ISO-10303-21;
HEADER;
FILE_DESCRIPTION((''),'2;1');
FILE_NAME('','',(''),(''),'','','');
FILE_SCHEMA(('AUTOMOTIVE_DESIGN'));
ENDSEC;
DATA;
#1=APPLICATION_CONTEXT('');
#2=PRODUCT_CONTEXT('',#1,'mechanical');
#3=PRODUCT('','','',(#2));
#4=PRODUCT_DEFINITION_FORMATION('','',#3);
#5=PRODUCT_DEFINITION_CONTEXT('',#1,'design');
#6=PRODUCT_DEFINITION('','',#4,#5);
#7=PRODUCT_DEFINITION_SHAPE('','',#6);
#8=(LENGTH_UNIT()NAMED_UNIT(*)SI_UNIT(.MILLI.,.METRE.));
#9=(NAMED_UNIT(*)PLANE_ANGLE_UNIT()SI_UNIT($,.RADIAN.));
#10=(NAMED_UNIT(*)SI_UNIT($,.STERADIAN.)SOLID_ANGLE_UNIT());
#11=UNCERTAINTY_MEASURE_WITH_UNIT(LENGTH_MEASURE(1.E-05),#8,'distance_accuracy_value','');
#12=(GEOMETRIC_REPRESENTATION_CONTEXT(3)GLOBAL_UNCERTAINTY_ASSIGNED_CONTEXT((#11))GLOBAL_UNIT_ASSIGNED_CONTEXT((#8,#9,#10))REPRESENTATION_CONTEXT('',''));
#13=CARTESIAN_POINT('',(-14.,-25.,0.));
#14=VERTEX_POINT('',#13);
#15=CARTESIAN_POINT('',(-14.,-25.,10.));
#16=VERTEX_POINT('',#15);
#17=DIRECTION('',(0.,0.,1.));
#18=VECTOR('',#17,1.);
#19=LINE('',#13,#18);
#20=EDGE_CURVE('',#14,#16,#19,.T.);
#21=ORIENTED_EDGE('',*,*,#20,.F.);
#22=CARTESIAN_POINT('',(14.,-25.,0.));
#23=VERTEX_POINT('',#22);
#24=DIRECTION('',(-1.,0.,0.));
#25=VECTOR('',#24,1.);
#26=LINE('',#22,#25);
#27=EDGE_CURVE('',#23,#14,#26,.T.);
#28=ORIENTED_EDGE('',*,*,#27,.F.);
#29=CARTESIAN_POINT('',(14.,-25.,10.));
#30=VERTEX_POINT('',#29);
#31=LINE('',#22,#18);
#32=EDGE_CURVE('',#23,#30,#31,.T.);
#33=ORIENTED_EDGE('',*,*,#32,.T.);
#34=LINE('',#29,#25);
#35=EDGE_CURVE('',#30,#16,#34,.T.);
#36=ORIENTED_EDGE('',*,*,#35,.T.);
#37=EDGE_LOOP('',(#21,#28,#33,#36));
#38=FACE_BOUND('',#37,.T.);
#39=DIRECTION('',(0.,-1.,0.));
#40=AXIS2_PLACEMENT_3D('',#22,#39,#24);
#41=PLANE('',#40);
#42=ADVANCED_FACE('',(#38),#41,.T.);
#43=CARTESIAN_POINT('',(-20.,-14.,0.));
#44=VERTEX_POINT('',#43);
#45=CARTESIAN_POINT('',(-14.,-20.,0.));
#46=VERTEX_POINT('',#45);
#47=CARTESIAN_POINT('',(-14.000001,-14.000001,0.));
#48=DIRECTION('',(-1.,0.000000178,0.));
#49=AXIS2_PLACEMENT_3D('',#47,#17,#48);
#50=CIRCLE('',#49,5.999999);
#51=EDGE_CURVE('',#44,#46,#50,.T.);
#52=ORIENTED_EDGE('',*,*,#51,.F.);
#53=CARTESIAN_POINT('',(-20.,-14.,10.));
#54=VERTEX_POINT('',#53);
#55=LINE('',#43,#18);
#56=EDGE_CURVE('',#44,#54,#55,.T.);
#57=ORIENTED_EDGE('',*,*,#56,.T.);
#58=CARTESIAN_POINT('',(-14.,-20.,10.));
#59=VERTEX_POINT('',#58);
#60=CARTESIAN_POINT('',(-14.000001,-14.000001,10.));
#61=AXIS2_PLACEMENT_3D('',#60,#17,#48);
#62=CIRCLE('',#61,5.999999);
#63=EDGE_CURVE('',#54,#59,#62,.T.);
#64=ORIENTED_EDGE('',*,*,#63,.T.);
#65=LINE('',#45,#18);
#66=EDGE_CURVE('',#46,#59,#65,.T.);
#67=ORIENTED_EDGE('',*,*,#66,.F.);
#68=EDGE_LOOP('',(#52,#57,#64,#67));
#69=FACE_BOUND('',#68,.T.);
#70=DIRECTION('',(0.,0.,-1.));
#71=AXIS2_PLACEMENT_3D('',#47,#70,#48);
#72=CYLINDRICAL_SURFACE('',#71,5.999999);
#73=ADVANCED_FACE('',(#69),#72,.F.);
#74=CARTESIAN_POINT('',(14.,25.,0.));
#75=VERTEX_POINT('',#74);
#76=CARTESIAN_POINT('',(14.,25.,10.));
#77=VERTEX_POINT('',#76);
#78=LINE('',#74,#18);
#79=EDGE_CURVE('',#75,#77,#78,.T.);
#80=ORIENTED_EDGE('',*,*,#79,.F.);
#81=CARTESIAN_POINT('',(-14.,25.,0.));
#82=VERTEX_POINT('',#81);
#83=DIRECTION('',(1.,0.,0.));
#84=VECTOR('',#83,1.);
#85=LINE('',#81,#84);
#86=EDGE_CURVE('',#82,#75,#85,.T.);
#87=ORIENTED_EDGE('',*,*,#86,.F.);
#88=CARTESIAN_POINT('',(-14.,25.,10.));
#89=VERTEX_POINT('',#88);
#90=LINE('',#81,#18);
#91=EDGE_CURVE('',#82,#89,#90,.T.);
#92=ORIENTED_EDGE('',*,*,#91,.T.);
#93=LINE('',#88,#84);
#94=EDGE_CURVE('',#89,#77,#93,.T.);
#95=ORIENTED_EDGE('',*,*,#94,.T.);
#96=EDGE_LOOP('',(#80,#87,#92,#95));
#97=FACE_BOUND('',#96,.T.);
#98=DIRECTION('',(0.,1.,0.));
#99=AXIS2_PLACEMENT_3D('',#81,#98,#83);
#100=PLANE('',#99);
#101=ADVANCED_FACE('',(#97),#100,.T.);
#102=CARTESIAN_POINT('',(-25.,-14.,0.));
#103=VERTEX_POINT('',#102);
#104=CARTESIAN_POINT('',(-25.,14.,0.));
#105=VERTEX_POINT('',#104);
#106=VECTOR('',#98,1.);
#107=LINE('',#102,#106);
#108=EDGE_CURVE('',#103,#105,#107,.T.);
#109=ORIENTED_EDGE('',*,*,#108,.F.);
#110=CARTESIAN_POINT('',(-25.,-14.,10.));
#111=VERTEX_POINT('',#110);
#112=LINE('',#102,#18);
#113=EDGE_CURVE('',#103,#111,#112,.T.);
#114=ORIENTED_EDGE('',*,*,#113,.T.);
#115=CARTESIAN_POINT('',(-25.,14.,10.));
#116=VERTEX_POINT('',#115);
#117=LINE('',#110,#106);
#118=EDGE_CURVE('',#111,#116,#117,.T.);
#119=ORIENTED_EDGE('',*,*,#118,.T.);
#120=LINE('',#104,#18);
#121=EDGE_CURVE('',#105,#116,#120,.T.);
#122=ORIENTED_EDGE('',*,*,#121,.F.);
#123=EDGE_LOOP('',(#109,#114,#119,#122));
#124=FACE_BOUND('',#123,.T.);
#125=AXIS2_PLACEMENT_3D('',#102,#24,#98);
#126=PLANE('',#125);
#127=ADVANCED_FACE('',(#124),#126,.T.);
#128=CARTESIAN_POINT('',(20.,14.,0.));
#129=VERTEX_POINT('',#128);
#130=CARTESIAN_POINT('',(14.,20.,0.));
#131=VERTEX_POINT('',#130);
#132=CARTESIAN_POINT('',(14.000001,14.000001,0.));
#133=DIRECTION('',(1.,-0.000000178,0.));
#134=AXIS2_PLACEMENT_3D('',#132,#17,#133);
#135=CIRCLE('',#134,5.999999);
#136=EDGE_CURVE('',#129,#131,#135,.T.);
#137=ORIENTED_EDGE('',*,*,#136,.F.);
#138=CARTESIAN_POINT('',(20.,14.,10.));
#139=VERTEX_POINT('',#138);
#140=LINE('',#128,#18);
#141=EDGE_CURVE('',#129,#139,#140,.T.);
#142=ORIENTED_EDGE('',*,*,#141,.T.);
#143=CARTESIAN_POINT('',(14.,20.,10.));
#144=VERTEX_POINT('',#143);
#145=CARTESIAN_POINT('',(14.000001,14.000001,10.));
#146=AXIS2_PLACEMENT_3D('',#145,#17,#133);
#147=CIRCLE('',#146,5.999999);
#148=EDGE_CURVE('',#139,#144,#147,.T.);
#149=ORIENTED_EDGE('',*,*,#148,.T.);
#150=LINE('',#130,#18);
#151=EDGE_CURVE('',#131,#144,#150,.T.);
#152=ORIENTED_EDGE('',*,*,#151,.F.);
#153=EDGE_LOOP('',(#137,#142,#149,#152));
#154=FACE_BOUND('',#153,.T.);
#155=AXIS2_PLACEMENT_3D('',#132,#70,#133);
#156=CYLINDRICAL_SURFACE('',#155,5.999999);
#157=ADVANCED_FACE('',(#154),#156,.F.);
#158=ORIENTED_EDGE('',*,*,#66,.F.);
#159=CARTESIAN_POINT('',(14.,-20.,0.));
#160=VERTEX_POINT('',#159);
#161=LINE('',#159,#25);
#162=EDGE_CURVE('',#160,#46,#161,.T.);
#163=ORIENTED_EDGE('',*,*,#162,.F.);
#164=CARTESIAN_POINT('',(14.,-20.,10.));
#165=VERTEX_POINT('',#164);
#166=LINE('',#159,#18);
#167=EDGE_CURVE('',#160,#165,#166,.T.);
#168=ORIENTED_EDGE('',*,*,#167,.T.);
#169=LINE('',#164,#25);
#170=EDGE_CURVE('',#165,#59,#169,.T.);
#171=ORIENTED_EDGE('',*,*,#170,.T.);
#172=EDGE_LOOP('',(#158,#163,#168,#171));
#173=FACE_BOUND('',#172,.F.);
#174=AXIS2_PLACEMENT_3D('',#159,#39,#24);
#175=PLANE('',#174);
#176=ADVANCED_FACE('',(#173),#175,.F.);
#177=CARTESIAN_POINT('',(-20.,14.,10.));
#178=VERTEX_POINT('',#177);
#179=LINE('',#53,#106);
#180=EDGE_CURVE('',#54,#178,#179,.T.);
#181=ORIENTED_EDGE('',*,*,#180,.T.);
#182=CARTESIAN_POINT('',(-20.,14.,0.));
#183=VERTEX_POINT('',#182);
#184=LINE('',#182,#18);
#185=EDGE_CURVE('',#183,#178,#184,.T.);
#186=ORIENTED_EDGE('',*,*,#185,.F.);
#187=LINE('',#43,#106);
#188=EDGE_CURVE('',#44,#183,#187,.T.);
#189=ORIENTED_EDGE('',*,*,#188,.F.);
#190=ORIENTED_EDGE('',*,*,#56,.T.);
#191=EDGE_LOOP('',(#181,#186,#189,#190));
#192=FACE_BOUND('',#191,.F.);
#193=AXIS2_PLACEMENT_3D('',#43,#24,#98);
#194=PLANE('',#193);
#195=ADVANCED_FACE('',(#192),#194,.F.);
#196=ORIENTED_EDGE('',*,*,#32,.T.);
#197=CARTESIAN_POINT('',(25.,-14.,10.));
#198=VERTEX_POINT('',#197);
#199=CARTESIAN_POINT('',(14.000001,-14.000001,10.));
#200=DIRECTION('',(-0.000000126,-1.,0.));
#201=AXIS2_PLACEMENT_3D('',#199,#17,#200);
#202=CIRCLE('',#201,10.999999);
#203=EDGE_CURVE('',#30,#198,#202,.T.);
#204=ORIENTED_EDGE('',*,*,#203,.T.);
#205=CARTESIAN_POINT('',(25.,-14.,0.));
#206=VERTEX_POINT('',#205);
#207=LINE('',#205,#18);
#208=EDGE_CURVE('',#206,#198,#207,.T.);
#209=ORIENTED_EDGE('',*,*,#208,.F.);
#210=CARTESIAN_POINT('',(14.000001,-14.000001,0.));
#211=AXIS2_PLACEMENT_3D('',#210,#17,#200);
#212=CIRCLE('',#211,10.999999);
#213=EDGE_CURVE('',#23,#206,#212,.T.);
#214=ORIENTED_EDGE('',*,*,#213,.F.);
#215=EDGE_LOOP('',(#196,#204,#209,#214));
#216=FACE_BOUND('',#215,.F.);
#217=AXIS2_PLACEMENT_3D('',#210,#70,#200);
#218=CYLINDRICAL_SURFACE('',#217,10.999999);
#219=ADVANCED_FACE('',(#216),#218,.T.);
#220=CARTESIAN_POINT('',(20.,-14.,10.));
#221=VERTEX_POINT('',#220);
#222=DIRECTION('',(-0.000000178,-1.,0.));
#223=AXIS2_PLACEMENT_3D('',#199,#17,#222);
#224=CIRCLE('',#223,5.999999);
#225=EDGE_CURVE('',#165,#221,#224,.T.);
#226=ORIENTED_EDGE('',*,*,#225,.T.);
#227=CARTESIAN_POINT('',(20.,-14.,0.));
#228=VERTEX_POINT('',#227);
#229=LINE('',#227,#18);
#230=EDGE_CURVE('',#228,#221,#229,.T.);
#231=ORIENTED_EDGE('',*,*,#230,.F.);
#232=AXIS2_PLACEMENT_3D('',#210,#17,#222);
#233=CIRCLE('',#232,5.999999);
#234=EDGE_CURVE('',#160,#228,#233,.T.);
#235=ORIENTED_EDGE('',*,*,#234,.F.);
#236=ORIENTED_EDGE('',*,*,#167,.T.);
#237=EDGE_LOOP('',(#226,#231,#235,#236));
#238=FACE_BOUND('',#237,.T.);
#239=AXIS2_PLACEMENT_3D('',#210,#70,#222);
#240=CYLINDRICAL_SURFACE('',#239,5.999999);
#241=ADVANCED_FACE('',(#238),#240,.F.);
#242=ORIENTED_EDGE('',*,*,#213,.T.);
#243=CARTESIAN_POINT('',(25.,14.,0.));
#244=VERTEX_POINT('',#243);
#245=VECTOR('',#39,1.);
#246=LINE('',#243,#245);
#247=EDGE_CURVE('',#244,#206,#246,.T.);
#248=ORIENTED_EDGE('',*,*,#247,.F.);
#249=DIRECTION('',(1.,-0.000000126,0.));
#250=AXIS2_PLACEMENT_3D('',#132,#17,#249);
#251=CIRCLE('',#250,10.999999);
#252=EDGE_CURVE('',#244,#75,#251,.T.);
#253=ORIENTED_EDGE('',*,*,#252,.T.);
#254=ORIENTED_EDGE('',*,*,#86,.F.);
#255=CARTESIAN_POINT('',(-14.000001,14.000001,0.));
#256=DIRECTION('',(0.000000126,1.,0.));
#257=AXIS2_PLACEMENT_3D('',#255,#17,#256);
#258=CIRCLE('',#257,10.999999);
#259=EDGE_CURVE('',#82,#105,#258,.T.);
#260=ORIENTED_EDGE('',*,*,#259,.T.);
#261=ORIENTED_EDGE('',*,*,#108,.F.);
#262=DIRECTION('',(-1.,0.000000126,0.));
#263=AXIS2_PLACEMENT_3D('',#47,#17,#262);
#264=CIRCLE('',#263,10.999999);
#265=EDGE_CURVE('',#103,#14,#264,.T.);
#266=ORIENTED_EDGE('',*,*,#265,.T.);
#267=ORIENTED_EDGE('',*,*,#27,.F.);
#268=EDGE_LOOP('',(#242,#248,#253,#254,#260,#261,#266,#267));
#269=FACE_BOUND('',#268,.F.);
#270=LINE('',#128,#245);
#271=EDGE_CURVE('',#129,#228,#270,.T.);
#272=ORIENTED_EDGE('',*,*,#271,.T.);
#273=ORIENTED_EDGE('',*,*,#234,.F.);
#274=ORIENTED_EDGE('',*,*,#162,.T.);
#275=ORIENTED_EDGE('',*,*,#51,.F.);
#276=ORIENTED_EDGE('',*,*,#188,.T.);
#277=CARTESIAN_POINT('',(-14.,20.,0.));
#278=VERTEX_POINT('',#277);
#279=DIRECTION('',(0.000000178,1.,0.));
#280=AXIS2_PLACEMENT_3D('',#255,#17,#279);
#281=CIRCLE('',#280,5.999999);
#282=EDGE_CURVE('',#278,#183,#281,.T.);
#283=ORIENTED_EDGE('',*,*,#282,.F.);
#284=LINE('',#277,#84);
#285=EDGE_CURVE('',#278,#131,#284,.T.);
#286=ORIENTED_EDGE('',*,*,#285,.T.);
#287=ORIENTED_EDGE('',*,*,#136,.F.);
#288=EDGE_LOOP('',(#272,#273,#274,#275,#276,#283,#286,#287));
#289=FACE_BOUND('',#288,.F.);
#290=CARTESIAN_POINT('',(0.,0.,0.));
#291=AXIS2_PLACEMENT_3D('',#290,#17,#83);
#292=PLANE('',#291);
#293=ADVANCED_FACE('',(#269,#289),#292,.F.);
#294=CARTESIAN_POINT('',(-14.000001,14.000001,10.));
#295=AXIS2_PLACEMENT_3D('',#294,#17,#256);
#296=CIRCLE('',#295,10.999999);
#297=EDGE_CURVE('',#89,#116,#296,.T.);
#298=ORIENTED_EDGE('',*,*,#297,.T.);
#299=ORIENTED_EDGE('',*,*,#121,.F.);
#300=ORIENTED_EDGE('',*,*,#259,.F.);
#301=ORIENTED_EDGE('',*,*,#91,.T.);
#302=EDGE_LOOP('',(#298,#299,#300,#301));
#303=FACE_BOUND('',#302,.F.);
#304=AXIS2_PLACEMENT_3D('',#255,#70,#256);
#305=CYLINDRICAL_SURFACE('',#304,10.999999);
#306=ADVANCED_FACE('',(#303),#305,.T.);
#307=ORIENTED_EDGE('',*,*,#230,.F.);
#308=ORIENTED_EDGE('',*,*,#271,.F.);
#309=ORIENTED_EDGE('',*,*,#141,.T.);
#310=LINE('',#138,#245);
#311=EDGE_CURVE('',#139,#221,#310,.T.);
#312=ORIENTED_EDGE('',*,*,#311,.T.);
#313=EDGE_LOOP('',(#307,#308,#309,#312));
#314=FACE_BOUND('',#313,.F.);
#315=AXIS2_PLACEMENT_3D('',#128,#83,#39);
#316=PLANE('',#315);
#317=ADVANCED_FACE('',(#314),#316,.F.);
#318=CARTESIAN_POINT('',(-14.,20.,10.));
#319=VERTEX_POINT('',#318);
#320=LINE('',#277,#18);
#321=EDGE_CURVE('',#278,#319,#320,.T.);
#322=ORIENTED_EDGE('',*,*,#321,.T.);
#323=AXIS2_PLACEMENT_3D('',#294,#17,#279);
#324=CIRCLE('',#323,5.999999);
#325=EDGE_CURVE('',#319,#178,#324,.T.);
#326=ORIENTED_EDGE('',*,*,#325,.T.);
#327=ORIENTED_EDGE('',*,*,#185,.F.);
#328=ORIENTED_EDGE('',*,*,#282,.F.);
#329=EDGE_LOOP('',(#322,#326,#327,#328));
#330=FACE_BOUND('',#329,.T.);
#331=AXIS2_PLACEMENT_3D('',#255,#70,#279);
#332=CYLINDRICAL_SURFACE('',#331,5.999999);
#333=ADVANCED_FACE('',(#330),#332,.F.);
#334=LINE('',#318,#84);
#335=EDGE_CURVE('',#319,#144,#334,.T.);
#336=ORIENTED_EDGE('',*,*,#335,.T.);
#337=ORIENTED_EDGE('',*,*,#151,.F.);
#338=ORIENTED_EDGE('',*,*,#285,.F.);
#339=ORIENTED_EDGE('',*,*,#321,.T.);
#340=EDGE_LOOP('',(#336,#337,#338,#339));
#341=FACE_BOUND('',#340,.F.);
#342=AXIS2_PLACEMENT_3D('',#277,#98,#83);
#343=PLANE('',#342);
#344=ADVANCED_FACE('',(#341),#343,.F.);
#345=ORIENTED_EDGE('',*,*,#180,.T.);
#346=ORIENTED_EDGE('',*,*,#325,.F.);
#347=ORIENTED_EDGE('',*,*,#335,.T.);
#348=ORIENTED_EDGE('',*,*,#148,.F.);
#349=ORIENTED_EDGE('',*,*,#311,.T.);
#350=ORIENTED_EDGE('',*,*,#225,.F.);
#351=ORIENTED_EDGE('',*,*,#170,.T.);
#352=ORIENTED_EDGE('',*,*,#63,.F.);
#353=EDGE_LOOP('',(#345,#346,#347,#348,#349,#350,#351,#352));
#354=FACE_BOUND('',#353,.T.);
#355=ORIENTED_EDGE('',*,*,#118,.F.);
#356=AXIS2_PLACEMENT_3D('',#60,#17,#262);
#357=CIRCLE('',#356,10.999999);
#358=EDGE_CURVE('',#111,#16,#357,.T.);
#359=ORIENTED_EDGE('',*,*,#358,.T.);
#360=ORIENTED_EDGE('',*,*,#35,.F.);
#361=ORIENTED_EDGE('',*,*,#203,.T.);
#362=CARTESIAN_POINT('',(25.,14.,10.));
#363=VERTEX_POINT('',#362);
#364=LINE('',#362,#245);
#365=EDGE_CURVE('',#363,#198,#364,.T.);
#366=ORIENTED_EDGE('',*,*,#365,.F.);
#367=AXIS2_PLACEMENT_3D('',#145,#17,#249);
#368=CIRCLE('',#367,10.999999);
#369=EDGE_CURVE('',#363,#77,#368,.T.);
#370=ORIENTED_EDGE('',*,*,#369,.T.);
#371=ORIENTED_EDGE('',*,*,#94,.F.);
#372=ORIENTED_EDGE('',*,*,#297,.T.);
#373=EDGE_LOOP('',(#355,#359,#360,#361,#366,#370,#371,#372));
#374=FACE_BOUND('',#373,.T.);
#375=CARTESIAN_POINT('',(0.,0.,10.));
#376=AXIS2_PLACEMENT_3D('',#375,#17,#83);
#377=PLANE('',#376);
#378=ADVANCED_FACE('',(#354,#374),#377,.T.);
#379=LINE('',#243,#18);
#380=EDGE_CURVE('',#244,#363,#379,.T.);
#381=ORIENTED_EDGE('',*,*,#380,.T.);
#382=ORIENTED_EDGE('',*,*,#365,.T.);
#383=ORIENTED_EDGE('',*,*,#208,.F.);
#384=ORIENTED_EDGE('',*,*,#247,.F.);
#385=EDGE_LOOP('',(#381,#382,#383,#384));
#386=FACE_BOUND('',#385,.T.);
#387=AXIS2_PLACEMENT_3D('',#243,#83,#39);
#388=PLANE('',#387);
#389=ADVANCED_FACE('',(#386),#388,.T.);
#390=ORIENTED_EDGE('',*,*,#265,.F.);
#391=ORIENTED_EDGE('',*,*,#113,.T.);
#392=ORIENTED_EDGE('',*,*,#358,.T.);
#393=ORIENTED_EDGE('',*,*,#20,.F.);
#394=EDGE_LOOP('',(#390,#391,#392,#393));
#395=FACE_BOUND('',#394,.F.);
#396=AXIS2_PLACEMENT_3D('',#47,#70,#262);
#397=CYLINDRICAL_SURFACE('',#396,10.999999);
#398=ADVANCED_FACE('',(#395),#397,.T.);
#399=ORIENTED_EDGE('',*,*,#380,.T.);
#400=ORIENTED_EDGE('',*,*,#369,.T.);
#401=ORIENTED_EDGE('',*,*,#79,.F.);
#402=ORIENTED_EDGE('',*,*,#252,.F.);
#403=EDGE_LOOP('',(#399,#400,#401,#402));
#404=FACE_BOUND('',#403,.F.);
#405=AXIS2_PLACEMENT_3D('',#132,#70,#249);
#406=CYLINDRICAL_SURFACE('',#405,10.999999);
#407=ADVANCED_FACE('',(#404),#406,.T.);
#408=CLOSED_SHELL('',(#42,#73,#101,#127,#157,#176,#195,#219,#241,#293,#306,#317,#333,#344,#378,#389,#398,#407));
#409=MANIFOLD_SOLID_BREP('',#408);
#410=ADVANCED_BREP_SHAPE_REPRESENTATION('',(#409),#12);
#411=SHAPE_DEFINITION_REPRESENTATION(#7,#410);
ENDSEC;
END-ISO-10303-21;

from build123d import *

# Parameters (mm, degrees)
PAD_DEPTH = 10


with BuildPart() as part:
    # Sketch → Pad (new body)
    with BuildSketch(Plane.XY):
        with BuildLine():
            ThreePointArc((-14, 25), (-21.778175, 21.778175), (-25, 14))
            Line((-25, -14), (-25, 14))
            ThreePointArc((-25, -14), (-21.778175, -21.778175), (-14, -25))
            Line((14, -25), (-14, -25))
            ThreePointArc((14, -25), (21.778175, -21.778175), (25, -14))
            Line((25, 14), (25, -14))
            ThreePointArc((25, 14), (21.778175, 21.778175), (14, 25))
            Line((-14, 25), (14, 25))
        make_face()
        with BuildLine():
            ThreePointArc((-14, 20), (-18.242641, 18.242641), (-20, 14))
            Line((-20, -14), (-20, 14))
            ThreePointArc((-20, -14), (-18.242641, -18.242641), (-14, -20))
            Line((14, -20), (-14, -20))
            ThreePointArc((14, -20), (18.242641, -18.242641), (20, -14))
            Line((20, 14), (20, -14))
            ThreePointArc((20, 14), (18.242641, 18.242641), (14, 20))
            Line((-14, 20), (14, 20))
        make_face(mode=Mode.SUBTRACT)
    extrude(amount=PAD_DEPTH)


solid = part.part
